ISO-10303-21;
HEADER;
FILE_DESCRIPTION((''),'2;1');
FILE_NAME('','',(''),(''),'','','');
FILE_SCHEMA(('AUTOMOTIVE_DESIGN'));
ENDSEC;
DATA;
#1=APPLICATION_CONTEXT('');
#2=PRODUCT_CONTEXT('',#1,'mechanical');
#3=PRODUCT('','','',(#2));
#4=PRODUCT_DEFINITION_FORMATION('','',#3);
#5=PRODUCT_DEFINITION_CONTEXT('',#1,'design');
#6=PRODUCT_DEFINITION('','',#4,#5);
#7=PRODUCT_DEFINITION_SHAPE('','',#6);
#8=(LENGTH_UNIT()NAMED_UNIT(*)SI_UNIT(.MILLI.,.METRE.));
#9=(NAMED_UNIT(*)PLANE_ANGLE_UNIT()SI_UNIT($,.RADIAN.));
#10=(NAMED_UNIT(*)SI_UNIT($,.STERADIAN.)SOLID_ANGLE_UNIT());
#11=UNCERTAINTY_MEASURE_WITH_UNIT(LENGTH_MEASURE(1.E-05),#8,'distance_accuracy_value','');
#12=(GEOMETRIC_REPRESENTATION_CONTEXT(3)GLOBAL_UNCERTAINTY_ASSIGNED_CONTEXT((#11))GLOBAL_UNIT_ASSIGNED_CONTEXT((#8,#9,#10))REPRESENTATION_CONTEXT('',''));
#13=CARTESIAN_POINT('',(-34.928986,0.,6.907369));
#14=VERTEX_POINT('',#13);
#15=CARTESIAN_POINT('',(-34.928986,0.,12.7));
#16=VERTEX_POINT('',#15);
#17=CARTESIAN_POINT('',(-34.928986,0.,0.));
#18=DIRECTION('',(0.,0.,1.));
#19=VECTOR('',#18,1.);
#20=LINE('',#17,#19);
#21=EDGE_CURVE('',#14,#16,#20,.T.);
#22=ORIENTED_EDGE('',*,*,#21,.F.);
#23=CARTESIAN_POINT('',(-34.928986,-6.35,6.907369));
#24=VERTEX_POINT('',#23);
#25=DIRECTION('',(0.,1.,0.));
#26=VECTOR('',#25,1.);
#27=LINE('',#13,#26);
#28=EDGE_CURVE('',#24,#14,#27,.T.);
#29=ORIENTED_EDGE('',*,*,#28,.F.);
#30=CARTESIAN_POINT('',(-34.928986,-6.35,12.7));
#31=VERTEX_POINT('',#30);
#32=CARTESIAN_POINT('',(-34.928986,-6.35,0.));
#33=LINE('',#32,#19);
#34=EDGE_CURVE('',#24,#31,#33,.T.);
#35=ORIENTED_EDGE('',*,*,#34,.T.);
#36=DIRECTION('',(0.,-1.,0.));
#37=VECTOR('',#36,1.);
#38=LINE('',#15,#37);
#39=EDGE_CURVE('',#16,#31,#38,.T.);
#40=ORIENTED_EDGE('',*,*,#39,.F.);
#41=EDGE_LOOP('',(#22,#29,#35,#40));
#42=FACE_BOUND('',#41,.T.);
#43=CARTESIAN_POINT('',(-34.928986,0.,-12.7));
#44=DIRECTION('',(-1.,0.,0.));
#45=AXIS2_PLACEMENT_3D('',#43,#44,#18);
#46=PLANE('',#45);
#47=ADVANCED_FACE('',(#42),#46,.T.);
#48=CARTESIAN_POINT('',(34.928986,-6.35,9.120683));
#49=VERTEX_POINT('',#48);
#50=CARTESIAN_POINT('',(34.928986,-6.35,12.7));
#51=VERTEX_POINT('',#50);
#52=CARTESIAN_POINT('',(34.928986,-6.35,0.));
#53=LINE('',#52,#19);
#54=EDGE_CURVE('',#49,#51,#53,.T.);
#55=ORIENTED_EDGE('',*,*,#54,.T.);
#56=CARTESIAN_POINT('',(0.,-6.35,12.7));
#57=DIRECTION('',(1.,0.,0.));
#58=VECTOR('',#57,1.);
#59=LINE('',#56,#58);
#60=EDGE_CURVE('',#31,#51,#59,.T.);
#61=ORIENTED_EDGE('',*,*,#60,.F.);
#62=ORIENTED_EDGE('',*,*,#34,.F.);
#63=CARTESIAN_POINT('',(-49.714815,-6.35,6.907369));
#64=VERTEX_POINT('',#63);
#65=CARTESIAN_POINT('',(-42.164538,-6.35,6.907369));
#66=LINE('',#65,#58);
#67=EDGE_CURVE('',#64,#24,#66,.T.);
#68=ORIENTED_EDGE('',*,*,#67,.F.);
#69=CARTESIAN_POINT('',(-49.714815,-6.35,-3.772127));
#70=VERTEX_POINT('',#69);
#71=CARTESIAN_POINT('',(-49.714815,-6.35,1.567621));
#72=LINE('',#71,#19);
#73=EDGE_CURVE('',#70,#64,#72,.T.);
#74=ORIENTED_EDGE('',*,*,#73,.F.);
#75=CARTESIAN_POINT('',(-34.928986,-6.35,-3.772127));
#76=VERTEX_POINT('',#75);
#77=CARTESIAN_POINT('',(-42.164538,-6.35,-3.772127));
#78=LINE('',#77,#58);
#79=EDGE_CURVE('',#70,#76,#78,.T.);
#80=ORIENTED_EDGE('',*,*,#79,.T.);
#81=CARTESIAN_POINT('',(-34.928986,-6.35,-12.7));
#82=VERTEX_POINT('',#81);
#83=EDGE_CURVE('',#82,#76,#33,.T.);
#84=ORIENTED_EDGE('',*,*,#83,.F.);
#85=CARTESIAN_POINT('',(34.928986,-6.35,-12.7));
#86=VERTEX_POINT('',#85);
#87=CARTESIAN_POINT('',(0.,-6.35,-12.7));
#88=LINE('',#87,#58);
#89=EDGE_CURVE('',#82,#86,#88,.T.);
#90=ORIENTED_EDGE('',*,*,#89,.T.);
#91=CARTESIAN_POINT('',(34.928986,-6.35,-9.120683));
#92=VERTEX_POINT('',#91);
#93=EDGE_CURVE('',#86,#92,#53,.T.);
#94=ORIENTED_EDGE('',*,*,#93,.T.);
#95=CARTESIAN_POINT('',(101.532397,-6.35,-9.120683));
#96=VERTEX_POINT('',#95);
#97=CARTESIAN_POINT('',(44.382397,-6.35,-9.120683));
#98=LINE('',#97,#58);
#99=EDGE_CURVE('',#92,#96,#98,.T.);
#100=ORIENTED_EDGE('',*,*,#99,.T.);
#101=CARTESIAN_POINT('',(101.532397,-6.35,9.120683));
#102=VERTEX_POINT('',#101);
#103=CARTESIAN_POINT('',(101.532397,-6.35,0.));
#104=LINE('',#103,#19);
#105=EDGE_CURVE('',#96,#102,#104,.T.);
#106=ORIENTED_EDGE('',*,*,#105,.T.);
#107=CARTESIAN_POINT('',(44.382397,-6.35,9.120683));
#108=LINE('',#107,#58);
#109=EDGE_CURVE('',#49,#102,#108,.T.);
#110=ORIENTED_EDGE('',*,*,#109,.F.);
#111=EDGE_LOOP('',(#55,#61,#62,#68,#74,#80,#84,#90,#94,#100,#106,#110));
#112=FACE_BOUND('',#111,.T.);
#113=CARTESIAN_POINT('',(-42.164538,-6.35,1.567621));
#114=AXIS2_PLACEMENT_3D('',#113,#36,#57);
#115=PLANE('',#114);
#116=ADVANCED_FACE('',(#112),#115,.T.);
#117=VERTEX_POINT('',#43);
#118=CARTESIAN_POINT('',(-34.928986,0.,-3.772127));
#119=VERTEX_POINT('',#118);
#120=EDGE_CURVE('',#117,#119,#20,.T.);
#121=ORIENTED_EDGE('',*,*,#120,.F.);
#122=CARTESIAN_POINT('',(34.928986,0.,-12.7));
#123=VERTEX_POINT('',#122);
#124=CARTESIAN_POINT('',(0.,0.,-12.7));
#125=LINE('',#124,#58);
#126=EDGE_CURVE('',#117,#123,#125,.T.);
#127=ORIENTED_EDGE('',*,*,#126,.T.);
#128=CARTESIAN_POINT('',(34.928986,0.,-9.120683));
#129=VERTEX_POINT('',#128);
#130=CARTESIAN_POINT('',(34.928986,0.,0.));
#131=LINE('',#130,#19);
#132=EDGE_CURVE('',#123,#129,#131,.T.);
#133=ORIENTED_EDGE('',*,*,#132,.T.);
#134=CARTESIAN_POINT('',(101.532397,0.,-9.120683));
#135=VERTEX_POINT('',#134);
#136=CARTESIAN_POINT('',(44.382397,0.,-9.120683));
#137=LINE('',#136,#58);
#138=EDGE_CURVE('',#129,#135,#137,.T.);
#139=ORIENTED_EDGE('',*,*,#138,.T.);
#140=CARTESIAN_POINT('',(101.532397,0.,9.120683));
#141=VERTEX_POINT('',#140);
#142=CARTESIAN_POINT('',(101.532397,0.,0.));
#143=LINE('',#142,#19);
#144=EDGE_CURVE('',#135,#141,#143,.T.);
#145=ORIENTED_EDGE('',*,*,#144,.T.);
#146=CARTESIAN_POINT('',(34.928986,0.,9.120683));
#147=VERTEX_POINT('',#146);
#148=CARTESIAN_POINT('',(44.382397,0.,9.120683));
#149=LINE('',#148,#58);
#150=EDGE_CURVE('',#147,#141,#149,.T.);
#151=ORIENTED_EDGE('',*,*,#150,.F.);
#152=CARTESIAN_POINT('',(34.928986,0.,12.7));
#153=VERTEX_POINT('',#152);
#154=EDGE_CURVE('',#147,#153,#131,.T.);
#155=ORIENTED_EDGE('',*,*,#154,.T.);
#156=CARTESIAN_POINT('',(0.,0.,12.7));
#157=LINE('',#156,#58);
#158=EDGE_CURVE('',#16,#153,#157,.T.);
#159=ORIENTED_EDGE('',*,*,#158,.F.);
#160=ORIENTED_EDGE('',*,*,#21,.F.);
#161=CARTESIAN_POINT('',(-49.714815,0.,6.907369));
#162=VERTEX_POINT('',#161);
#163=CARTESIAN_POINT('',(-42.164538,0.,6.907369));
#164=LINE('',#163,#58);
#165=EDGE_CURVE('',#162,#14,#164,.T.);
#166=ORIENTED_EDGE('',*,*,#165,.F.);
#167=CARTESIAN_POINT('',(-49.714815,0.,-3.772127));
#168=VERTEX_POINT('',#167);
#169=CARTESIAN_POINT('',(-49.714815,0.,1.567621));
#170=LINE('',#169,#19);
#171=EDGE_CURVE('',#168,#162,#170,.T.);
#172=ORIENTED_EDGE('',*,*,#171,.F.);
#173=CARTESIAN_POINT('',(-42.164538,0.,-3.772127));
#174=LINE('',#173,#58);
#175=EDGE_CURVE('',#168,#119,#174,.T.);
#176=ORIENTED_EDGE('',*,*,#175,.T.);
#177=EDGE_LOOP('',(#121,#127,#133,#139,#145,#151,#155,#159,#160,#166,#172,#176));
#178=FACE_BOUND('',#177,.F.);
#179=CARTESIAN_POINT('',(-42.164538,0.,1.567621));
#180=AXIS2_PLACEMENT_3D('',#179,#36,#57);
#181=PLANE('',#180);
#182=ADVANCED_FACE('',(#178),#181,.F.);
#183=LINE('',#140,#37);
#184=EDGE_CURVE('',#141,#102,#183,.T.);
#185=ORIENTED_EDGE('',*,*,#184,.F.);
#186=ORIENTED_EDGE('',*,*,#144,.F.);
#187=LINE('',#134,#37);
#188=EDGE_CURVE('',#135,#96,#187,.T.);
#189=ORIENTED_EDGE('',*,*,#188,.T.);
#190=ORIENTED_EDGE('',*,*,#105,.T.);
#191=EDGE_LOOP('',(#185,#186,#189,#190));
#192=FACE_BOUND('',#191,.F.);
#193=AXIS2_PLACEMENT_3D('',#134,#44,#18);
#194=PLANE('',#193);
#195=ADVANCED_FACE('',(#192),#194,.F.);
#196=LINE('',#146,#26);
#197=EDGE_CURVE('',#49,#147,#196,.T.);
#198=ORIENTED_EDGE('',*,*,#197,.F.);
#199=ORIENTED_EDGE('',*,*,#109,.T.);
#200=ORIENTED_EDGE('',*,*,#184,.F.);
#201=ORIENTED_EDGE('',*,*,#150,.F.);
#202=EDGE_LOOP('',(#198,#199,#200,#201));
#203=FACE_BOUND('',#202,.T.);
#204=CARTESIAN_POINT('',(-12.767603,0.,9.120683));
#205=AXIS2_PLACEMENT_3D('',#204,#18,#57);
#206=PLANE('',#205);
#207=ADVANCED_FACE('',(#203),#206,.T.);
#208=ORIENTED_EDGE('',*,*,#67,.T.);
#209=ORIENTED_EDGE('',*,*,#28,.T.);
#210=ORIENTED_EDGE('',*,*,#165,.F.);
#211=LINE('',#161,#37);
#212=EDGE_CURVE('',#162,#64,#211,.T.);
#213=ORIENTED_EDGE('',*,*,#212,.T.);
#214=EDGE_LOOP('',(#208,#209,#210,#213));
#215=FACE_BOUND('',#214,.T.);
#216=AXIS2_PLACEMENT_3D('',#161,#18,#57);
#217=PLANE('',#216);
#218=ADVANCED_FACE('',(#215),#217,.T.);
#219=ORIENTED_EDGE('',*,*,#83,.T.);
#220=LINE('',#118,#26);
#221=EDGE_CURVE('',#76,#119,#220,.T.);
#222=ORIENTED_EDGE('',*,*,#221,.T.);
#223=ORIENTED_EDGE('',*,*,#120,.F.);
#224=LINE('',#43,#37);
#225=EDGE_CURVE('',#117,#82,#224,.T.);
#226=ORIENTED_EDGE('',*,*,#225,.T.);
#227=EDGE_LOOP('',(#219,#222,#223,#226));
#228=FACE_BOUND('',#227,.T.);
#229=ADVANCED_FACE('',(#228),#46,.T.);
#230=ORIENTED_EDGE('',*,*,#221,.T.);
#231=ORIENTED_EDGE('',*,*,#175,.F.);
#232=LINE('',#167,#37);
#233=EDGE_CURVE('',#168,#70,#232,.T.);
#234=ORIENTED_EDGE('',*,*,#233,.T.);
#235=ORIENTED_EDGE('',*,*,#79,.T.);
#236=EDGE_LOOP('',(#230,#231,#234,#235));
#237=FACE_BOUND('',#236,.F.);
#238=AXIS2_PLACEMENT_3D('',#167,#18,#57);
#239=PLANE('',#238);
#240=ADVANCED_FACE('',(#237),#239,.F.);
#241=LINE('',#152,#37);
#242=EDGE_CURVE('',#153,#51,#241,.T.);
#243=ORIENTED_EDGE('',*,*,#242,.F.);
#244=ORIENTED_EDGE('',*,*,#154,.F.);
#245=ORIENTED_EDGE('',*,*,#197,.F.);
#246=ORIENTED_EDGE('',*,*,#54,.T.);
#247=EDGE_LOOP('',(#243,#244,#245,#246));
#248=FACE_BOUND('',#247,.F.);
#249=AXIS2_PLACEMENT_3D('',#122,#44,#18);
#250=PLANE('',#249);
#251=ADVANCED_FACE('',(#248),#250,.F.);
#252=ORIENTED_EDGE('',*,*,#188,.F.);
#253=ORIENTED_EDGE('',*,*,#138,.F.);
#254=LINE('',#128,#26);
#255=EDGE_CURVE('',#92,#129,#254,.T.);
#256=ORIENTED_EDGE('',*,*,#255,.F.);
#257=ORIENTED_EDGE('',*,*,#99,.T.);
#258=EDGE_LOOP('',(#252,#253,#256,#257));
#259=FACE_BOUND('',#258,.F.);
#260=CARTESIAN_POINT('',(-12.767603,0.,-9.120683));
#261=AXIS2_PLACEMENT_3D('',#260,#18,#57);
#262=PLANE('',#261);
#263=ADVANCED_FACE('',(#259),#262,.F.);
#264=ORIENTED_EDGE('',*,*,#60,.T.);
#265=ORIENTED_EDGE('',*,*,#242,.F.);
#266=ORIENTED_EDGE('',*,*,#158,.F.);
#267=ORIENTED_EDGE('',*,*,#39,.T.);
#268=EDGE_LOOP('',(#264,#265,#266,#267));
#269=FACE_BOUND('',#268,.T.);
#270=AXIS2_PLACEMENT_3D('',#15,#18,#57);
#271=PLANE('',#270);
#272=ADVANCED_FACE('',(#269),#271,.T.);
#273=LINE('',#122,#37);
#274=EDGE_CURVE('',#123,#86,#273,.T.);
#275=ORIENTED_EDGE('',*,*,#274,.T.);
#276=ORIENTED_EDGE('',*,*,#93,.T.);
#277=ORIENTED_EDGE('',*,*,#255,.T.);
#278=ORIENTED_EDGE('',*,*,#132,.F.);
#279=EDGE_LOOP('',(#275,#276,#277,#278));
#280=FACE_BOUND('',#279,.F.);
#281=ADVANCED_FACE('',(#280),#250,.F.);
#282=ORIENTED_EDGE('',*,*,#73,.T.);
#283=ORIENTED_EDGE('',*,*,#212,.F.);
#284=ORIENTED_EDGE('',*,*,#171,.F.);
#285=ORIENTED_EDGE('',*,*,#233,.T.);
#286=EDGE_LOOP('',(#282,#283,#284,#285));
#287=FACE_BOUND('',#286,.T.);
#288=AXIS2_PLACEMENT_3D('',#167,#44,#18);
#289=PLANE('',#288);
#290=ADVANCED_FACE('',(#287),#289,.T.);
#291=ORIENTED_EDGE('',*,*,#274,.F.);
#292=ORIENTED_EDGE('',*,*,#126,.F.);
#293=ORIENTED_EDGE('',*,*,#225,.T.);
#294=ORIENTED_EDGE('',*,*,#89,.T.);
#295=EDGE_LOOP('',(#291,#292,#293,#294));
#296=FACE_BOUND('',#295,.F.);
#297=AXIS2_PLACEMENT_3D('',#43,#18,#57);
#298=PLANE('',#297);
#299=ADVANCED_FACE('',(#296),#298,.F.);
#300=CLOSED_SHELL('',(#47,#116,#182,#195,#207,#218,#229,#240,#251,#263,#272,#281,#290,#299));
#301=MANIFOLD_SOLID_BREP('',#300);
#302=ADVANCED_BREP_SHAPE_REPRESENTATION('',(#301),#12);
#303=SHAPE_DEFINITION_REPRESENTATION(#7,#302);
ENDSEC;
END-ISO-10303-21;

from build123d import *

# Parameters (mm, degrees)
F0_W     = 69.857972
F0_H     = 25.4
F1_DEPTH = 6.35
F2_W     = 15.100554
F2_H     = 10.679496
F2_W_2   = 114.3
F2_H_2   = 18.241366
F3_DEPTH = 6.35


with BuildPart() as f1:
    # F0 (on Front) → F1 (new body)
    with BuildSketch(Plane.XZ):
        Rectangle(F0_W, F0_H)
    extrude(amount=F1_DEPTH)

    # F2 (on Front) → F3 (join)
    with BuildSketch(Plane.XZ):
        with Locations((-42.164538, 1.567621)):
            Rectangle(F2_W, F2_H)
        with Locations((44.382397, 0)):
            Rectangle(F2_W_2, F2_H_2)
    extrude(amount=F3_DEPTH)


solid = f1.part
